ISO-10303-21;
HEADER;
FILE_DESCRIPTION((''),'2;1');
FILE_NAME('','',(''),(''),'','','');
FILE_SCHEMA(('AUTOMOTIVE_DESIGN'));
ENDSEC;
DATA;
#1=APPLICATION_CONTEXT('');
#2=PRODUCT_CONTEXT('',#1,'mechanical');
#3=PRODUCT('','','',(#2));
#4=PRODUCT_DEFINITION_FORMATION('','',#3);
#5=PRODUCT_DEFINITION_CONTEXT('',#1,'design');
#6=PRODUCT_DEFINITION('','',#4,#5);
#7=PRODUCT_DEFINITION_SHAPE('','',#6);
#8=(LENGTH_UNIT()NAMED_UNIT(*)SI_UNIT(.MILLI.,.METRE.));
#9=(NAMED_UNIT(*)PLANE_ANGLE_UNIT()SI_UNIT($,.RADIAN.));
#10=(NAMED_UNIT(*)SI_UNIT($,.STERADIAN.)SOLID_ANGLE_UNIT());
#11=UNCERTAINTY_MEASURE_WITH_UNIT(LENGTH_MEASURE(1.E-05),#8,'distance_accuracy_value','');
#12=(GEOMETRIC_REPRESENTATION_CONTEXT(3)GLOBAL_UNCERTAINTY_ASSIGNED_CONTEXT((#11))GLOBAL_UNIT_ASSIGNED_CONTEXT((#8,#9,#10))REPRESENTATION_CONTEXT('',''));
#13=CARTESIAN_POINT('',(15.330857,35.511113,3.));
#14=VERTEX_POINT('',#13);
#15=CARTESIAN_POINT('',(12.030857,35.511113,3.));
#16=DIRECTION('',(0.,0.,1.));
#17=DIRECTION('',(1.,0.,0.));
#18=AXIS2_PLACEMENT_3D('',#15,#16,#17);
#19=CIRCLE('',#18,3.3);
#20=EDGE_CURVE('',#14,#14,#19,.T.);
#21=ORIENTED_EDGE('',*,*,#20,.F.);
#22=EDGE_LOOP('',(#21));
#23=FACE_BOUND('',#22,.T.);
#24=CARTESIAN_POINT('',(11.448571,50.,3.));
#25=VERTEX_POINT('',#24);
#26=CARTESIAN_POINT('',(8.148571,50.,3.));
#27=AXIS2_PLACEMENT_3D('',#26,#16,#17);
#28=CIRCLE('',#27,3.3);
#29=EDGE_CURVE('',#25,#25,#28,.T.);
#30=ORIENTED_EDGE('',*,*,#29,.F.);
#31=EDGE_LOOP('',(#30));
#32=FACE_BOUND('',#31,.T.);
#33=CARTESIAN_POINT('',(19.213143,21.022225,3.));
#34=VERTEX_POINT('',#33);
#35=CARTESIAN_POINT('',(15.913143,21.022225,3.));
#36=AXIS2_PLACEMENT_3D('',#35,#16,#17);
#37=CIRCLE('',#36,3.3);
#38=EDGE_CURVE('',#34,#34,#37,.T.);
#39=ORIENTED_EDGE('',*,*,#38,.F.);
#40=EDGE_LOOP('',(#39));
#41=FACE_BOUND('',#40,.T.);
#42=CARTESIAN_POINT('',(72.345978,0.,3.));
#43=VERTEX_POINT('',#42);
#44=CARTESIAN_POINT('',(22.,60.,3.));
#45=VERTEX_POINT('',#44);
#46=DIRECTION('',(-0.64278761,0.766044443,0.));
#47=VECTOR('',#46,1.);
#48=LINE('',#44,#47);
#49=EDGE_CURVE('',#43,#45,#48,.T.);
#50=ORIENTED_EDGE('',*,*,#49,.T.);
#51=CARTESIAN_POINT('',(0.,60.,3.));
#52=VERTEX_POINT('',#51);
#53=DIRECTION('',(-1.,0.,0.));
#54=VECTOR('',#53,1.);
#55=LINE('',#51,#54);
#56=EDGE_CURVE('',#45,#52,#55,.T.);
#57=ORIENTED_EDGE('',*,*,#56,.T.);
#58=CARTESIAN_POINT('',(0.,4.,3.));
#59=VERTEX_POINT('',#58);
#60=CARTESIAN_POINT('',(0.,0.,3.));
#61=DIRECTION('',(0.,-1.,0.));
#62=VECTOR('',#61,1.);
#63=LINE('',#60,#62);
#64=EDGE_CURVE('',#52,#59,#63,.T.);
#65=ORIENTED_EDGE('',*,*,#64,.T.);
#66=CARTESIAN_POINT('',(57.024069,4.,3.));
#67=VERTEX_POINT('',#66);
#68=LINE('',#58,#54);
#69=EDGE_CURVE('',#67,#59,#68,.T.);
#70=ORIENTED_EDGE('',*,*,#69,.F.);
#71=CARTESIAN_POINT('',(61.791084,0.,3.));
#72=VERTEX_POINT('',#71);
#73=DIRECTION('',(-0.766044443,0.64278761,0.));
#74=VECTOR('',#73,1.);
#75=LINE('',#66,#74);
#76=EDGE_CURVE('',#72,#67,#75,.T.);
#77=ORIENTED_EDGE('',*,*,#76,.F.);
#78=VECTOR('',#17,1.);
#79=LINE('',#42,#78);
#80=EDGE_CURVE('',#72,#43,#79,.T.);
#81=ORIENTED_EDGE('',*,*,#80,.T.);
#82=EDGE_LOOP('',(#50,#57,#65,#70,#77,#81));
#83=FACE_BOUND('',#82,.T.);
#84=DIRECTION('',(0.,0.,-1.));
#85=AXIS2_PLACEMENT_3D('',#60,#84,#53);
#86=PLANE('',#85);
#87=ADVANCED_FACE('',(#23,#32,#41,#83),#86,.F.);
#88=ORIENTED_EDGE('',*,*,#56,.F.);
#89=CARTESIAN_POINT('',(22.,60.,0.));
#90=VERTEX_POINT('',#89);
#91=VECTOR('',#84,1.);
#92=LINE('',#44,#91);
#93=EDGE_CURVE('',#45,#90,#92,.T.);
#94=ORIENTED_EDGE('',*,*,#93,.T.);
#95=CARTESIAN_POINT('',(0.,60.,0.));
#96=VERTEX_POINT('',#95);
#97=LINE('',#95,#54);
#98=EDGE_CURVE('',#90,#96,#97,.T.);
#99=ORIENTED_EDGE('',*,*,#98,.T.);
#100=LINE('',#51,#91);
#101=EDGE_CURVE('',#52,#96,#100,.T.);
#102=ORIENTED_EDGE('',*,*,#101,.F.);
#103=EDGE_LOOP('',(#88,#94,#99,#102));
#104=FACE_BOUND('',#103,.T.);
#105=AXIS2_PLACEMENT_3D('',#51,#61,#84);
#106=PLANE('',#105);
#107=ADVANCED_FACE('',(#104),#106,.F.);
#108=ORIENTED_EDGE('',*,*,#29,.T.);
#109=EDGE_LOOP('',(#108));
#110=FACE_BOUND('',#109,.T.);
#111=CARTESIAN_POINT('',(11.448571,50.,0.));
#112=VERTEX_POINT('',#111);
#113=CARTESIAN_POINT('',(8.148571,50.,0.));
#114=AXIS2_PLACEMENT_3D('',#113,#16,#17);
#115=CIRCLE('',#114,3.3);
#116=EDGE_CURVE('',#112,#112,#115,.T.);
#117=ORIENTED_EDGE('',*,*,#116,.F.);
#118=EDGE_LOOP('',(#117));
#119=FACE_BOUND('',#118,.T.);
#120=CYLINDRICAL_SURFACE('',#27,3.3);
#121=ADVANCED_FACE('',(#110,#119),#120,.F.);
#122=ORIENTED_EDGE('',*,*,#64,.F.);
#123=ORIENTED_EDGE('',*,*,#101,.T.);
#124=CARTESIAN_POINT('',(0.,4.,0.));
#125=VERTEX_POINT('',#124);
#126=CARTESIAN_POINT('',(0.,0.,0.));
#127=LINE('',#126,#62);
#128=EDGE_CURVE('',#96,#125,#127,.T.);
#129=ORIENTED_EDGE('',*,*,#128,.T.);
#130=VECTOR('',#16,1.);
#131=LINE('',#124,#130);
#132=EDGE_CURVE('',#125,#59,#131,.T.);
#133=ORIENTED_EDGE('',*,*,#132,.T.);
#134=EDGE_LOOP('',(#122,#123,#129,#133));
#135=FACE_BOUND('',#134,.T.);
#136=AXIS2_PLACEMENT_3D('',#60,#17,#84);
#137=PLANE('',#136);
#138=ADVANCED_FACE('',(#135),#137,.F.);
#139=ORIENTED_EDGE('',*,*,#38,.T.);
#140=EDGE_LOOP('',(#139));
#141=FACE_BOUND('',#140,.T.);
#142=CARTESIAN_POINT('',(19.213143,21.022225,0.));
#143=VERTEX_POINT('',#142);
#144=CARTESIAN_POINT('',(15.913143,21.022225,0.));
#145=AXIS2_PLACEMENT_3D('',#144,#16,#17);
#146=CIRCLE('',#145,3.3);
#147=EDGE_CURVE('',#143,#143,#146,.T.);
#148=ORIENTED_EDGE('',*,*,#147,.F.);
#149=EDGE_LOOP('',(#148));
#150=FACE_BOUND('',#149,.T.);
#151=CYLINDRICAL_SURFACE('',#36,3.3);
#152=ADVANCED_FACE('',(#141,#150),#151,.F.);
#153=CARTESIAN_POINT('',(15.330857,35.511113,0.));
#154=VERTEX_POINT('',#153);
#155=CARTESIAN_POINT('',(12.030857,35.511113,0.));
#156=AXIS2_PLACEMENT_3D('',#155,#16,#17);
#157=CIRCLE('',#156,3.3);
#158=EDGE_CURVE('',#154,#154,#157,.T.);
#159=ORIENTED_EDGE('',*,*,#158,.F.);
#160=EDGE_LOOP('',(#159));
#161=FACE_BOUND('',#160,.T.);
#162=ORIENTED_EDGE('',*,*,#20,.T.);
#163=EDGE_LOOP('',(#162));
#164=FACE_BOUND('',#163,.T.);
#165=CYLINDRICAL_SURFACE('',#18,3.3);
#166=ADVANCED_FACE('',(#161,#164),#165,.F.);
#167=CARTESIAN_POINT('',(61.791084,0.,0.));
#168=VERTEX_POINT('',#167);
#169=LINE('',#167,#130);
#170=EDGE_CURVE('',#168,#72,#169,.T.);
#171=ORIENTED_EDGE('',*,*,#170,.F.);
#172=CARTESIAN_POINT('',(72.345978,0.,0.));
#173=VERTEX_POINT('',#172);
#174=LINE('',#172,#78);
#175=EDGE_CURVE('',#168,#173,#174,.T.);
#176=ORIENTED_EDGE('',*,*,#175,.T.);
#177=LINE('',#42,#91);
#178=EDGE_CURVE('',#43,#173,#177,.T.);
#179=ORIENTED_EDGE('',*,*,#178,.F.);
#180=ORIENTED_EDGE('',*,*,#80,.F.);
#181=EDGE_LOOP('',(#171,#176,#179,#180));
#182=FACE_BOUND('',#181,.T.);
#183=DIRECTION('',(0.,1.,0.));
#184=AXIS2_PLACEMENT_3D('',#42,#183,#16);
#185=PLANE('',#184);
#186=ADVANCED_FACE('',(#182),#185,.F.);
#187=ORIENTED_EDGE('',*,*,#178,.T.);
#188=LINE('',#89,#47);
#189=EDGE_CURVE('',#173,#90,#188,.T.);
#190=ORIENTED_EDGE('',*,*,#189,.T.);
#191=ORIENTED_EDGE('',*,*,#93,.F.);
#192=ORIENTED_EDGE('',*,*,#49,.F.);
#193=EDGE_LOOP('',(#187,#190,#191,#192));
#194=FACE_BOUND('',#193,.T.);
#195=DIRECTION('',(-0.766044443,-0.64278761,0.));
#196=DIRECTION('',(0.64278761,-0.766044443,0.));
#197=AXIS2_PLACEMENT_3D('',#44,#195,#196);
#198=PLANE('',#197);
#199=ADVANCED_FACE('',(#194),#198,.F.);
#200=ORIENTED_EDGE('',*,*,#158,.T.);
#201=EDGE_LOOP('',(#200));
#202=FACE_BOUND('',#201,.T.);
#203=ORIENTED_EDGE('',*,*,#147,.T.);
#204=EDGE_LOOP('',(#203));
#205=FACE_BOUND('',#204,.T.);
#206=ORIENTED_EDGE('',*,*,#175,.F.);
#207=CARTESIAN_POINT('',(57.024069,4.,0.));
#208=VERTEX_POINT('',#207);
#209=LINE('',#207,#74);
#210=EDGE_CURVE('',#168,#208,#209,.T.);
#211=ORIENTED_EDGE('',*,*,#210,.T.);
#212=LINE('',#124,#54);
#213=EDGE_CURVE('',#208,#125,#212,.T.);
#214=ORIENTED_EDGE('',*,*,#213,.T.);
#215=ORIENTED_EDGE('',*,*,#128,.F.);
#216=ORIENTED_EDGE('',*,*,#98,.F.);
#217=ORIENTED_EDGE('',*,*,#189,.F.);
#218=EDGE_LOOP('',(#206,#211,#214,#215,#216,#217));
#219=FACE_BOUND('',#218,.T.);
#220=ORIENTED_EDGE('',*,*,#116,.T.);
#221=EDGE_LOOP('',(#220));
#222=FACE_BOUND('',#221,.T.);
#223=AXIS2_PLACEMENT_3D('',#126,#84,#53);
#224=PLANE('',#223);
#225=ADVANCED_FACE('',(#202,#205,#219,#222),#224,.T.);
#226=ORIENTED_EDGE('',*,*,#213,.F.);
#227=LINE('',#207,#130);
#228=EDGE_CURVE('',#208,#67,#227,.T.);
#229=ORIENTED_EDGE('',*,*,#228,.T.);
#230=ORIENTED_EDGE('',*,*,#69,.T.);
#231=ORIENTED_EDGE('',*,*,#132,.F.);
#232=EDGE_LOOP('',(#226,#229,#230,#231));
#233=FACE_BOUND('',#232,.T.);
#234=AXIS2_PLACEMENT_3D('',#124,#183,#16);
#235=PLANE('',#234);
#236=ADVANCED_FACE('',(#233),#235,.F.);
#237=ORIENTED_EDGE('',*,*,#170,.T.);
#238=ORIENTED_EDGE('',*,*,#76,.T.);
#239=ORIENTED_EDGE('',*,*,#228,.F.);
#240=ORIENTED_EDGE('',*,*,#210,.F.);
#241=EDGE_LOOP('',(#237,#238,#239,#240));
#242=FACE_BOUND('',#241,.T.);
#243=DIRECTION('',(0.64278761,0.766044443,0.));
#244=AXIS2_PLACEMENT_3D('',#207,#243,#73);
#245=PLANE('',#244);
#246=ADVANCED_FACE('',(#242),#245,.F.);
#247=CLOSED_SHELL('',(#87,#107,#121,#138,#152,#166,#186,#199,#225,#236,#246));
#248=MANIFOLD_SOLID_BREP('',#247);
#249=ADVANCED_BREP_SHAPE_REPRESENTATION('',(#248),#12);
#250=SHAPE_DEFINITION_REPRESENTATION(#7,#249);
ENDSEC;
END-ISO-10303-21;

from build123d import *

# Parameters (mm, degrees)
RESSALTO_EXTRUS_O1_DEPTH = 3
FURO_COM_FOLGA_DE_M61_D  = 6.6
CORTE_EXTRUS_O1_DEPTH    = 95.036910381


with BuildPart() as part:
    # Esboço1 → Ressalto-extrusão1 (new body)
    with BuildSketch(Plane.XY):
        Polygon((0, 0), (0, 60), (22, 60), (72.345977871, 0), align=None)
    extrude(amount=RESSALTO_EXTRUS_O1_DEPTH)

    # Furo com folga de M61 (through all)
    with Locations(Plane.XY.offset(3)):
        with Locations((15.913142528, 21.022225211), (12.030856852, 35.511112606), (8.148571175, 50)):
            Hole(FURO_COM_FOLGA_DE_M61_D / 2)

    # Esboço4 → Corte-extrusão1 (cut, through all)
    with BuildSketch(Plane.XY.offset(3)):
        Polygon((0, 4), (57.02406918, 4), (61.791083551, 0), (0, 0), align=None)
    extrude(amount=-CORTE_EXTRUS_O1_DEPTH, mode=Mode.SUBTRACT)


solid = part.part
